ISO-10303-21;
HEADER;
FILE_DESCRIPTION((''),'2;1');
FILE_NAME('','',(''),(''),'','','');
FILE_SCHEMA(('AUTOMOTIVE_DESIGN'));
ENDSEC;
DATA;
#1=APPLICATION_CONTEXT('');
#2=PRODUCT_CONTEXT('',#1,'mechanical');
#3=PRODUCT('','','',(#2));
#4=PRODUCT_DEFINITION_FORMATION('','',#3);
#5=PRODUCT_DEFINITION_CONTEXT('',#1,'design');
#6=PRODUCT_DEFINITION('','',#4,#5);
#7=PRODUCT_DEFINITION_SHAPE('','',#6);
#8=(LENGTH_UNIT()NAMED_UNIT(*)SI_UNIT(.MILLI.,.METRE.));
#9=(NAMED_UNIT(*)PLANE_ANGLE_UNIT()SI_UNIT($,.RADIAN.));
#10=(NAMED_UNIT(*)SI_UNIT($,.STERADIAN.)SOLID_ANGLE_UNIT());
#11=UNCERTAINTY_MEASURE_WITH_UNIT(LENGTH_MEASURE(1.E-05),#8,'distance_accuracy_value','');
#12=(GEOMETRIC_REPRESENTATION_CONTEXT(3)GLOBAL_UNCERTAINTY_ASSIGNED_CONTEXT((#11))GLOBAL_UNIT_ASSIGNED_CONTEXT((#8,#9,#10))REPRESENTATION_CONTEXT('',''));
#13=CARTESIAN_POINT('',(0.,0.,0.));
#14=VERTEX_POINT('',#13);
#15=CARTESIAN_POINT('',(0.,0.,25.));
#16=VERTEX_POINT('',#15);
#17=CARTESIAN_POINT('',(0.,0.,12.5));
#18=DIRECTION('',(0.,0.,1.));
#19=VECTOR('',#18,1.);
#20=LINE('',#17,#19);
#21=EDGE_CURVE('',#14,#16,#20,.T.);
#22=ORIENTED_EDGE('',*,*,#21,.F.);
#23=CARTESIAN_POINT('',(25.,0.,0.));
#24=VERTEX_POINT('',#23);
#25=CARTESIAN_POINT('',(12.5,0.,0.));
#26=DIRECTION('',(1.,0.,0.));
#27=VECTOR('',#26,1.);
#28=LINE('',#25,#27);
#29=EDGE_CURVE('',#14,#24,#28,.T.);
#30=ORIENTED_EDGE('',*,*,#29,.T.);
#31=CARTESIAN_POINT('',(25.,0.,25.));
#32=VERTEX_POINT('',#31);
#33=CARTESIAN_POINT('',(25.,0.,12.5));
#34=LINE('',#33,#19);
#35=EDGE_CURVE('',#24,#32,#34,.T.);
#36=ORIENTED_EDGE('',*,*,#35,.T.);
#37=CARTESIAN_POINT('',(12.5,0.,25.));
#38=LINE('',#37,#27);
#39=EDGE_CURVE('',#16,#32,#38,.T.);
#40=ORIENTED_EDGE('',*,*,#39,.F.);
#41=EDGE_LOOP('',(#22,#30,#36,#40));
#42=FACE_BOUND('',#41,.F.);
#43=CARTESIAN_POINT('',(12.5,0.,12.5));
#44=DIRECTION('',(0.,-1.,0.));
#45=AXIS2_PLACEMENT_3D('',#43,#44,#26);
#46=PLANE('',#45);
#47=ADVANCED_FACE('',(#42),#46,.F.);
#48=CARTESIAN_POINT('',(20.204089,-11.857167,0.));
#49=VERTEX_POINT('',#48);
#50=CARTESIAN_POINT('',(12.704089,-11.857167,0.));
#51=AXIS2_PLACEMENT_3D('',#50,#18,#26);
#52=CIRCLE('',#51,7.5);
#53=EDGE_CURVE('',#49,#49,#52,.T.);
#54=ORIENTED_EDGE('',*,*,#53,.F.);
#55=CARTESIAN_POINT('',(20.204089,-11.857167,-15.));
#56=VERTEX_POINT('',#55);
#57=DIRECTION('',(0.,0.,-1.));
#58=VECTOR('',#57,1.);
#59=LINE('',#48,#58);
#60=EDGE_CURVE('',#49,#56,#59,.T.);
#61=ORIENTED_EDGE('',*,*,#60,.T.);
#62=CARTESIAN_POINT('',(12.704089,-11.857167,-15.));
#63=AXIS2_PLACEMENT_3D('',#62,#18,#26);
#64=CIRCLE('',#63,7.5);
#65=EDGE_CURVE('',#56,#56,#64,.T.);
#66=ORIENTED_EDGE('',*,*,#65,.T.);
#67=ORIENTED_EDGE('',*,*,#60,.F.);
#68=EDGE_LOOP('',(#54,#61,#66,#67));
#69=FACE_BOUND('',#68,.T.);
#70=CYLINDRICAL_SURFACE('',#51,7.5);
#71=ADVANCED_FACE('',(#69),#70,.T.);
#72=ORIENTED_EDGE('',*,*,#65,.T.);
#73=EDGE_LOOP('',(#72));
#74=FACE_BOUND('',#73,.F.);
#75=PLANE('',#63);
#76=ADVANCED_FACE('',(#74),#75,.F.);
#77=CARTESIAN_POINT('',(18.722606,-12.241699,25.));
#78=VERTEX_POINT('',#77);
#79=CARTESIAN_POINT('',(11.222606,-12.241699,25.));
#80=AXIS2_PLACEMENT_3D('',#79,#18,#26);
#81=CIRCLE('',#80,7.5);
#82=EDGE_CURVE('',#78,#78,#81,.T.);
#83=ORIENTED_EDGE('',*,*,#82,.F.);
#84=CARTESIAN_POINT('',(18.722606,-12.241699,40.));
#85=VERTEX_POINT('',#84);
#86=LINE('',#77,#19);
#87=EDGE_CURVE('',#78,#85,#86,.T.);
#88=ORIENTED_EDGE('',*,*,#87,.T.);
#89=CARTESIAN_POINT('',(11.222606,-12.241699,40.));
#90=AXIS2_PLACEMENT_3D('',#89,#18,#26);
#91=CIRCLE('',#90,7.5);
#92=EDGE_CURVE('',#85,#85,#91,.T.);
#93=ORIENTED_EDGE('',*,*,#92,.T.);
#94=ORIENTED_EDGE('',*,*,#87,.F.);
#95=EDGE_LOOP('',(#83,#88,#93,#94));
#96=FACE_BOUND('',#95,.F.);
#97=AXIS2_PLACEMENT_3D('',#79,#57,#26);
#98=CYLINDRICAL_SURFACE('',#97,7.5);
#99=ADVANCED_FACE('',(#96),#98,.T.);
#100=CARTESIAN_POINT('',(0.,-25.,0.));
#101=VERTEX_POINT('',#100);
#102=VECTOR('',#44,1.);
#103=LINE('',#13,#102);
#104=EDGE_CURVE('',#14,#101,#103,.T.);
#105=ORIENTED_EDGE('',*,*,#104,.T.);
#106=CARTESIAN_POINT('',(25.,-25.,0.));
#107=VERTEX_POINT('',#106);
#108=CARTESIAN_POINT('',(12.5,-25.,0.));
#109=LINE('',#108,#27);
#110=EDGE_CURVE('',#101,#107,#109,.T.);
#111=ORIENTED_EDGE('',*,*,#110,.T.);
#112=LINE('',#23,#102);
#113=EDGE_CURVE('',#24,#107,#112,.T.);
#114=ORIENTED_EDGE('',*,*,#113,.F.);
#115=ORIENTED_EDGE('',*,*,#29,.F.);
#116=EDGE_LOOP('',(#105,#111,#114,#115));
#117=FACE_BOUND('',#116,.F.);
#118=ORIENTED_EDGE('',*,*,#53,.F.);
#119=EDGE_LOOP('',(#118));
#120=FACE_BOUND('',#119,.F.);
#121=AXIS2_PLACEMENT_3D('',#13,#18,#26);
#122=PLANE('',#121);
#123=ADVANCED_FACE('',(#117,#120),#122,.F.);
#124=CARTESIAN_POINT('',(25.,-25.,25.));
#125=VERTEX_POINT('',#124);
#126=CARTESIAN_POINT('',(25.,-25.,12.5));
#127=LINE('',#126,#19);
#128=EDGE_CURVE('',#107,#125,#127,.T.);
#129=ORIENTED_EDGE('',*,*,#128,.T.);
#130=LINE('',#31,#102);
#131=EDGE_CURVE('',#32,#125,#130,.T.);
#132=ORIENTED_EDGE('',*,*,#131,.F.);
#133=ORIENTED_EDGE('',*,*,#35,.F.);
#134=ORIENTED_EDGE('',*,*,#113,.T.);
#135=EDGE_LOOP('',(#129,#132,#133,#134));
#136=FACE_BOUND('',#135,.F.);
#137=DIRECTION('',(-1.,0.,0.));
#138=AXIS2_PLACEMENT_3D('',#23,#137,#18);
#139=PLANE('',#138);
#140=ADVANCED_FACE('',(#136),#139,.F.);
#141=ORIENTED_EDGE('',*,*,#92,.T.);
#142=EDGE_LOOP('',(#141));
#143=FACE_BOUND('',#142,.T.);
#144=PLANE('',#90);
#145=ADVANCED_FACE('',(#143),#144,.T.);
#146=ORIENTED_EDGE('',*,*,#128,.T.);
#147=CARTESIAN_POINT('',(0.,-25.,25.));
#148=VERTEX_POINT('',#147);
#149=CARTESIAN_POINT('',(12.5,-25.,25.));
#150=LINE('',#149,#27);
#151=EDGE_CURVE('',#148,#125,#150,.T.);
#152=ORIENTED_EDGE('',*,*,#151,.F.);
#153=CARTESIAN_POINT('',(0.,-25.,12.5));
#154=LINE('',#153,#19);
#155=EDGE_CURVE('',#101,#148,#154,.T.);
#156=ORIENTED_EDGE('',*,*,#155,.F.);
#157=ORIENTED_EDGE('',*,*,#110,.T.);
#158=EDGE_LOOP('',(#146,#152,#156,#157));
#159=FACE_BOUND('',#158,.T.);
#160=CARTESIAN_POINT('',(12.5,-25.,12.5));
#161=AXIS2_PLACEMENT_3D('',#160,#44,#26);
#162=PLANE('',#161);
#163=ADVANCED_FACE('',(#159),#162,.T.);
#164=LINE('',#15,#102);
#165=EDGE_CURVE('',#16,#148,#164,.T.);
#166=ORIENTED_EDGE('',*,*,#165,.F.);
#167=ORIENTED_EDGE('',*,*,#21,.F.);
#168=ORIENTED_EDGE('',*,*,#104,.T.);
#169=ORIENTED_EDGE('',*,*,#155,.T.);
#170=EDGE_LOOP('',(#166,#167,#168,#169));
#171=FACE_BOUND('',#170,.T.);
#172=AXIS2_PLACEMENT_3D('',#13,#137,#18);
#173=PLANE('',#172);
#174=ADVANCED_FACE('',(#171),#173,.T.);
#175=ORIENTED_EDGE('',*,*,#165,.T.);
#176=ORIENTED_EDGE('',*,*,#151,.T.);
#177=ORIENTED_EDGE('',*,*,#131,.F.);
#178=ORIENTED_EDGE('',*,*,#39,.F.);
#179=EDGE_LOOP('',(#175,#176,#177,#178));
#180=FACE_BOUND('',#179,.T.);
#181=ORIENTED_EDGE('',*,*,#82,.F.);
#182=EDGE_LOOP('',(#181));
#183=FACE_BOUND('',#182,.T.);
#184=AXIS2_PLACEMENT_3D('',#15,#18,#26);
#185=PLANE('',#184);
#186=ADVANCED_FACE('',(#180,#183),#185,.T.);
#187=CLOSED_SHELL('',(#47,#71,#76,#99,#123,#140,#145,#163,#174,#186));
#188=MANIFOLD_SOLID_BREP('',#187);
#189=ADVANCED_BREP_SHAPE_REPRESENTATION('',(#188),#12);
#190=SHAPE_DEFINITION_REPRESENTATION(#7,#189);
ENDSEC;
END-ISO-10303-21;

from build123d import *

# Parameters (mm, degrees)
F0_W     = 25
F0_H     = 25
F1_DEPTH = 25
F2_R     = 7.5
F3_DEPTH = 15
F4_R     = 7.5
F5_DEPTH = 15


with BuildPart() as f1:
    # F0 (on Front) → F1 (new body)
    with BuildSketch(Plane.XZ):
        with Locations((12.5, 12.5)):
            Rectangle(F0_W, F0_H)
    extrude(amount=F1_DEPTH)

    # F2 (on Top) → F3 (join)
    with BuildSketch(Plane.XY):
        with Locations((12.704089, -11.857167)):
            Circle(F2_R)
    extrude(amount=-F3_DEPTH)

    # F4 (on face) → F5 (join)
    with BuildSketch(Plane.XY.offset(25)):
        with Locations((11.222606, -12.241699)):
            Circle(F4_R)
    extrude(amount=F5_DEPTH)


solid = f1.part
